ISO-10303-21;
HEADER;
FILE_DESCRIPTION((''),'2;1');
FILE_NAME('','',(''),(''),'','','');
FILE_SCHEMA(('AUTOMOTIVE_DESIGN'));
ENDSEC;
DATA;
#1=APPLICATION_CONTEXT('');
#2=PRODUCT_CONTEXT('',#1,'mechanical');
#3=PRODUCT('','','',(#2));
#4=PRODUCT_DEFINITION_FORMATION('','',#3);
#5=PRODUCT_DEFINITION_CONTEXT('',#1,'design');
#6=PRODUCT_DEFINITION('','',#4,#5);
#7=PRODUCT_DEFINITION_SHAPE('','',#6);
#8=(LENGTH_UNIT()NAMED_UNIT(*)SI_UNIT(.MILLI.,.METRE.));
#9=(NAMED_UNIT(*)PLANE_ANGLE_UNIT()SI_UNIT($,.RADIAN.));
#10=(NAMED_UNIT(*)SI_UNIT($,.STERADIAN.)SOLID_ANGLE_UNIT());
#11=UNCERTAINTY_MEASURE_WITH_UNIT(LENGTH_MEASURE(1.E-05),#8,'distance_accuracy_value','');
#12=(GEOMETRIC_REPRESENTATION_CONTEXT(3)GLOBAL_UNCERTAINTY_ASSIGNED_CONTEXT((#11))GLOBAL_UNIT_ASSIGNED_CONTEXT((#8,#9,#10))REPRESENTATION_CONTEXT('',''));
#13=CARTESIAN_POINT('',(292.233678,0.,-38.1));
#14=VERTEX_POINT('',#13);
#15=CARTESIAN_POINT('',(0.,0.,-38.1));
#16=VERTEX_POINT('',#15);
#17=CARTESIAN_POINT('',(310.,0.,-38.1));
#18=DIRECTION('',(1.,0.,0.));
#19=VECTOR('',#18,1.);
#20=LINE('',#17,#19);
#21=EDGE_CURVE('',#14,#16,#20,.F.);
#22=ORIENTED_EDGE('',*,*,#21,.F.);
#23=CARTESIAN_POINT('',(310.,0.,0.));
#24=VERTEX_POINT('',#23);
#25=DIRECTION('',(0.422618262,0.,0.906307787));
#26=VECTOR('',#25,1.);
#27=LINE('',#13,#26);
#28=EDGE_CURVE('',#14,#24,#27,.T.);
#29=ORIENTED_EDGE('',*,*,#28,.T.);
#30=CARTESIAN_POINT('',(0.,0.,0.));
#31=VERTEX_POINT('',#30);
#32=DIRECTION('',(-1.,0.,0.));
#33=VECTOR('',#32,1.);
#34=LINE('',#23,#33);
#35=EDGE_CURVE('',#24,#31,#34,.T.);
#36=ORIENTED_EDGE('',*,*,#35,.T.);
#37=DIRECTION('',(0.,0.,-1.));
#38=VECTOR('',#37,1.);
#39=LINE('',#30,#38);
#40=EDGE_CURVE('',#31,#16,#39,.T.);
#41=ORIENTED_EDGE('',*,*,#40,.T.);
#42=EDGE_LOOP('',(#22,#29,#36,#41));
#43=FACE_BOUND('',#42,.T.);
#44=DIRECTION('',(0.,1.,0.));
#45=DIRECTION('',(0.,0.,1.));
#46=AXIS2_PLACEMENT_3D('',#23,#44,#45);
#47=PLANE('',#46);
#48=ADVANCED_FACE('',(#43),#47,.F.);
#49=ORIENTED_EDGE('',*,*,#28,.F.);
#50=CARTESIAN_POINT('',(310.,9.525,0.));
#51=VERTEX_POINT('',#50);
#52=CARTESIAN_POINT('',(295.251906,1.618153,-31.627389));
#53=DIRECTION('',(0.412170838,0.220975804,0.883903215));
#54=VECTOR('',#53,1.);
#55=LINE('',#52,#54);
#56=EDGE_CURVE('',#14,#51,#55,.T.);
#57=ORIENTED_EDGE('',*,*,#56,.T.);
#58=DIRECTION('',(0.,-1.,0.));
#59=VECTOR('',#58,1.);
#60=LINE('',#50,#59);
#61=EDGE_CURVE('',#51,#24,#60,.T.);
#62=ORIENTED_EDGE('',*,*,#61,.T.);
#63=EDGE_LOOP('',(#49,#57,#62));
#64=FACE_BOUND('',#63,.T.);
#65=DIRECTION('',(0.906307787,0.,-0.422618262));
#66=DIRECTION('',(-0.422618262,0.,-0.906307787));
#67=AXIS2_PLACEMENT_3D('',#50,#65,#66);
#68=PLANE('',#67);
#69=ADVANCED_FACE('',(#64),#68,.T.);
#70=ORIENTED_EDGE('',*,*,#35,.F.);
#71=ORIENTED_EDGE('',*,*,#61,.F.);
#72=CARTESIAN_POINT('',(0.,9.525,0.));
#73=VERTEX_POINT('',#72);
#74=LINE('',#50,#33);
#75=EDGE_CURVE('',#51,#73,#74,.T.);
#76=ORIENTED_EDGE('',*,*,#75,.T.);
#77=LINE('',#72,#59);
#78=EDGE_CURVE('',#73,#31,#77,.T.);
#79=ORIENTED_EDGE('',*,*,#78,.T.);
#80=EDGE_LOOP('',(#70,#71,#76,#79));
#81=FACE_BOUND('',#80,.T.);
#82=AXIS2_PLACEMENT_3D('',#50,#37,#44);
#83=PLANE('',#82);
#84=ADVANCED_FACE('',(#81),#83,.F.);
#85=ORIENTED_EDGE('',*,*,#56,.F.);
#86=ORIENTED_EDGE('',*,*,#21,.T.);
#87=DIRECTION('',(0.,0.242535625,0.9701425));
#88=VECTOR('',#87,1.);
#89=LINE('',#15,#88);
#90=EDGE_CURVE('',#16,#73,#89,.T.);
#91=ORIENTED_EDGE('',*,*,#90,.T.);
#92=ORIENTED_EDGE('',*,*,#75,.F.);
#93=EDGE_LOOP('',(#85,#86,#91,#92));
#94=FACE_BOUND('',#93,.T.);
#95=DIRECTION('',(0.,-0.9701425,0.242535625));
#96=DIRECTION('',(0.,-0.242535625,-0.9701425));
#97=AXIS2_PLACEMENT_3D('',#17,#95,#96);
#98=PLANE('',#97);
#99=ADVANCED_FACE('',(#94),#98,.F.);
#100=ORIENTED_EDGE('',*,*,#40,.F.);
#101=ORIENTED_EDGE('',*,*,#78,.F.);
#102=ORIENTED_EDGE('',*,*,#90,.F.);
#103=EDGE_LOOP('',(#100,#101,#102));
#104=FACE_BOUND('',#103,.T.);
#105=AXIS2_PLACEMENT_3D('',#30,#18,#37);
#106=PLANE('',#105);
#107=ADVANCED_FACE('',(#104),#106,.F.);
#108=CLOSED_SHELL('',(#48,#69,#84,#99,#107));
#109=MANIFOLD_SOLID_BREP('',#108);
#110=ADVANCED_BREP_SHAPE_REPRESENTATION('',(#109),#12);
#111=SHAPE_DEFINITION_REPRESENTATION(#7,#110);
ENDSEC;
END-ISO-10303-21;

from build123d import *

# Parameters (mm, degrees)
BOSS_EXTRUDE1_DEPTH     = 310
CUT_EXTRUDE1_DEPTH      = 313.477736207
CUT_EXTRUDE1_DEPTH_BACK = 313.477736207


with BuildPart() as part:
    # Sketch1 → Boss-Extrude1 (new body)
    with BuildSketch(Plane(origin=(0, 0, 0), x_dir=(0, 0, -1), z_dir=(1, 0, 0))):
        Polygon((0, 0), (38.1, 0), (0, 9.525), align=None)
    extrude(amount=BOSS_EXTRUDE1_DEPTH)

    # Sketch3 → Cut-Extrude1 (cut, two sides: drawn at the far end of the back side and taken through both)
    with BuildSketch(Plane(origin=(0, 0, 0), x_dir=(1, 0, 0), z_dir=(0, 1, 0)).offset(-CUT_EXTRUDE1_DEPTH_BACK)):
        Polygon((310, 0), (292.233678224, 38.1), (310, 38.1), align=None)
    extrude(amount=CUT_EXTRUDE1_DEPTH + CUT_EXTRUDE1_DEPTH_BACK, mode=Mode.SUBTRACT)


solid = part.part
